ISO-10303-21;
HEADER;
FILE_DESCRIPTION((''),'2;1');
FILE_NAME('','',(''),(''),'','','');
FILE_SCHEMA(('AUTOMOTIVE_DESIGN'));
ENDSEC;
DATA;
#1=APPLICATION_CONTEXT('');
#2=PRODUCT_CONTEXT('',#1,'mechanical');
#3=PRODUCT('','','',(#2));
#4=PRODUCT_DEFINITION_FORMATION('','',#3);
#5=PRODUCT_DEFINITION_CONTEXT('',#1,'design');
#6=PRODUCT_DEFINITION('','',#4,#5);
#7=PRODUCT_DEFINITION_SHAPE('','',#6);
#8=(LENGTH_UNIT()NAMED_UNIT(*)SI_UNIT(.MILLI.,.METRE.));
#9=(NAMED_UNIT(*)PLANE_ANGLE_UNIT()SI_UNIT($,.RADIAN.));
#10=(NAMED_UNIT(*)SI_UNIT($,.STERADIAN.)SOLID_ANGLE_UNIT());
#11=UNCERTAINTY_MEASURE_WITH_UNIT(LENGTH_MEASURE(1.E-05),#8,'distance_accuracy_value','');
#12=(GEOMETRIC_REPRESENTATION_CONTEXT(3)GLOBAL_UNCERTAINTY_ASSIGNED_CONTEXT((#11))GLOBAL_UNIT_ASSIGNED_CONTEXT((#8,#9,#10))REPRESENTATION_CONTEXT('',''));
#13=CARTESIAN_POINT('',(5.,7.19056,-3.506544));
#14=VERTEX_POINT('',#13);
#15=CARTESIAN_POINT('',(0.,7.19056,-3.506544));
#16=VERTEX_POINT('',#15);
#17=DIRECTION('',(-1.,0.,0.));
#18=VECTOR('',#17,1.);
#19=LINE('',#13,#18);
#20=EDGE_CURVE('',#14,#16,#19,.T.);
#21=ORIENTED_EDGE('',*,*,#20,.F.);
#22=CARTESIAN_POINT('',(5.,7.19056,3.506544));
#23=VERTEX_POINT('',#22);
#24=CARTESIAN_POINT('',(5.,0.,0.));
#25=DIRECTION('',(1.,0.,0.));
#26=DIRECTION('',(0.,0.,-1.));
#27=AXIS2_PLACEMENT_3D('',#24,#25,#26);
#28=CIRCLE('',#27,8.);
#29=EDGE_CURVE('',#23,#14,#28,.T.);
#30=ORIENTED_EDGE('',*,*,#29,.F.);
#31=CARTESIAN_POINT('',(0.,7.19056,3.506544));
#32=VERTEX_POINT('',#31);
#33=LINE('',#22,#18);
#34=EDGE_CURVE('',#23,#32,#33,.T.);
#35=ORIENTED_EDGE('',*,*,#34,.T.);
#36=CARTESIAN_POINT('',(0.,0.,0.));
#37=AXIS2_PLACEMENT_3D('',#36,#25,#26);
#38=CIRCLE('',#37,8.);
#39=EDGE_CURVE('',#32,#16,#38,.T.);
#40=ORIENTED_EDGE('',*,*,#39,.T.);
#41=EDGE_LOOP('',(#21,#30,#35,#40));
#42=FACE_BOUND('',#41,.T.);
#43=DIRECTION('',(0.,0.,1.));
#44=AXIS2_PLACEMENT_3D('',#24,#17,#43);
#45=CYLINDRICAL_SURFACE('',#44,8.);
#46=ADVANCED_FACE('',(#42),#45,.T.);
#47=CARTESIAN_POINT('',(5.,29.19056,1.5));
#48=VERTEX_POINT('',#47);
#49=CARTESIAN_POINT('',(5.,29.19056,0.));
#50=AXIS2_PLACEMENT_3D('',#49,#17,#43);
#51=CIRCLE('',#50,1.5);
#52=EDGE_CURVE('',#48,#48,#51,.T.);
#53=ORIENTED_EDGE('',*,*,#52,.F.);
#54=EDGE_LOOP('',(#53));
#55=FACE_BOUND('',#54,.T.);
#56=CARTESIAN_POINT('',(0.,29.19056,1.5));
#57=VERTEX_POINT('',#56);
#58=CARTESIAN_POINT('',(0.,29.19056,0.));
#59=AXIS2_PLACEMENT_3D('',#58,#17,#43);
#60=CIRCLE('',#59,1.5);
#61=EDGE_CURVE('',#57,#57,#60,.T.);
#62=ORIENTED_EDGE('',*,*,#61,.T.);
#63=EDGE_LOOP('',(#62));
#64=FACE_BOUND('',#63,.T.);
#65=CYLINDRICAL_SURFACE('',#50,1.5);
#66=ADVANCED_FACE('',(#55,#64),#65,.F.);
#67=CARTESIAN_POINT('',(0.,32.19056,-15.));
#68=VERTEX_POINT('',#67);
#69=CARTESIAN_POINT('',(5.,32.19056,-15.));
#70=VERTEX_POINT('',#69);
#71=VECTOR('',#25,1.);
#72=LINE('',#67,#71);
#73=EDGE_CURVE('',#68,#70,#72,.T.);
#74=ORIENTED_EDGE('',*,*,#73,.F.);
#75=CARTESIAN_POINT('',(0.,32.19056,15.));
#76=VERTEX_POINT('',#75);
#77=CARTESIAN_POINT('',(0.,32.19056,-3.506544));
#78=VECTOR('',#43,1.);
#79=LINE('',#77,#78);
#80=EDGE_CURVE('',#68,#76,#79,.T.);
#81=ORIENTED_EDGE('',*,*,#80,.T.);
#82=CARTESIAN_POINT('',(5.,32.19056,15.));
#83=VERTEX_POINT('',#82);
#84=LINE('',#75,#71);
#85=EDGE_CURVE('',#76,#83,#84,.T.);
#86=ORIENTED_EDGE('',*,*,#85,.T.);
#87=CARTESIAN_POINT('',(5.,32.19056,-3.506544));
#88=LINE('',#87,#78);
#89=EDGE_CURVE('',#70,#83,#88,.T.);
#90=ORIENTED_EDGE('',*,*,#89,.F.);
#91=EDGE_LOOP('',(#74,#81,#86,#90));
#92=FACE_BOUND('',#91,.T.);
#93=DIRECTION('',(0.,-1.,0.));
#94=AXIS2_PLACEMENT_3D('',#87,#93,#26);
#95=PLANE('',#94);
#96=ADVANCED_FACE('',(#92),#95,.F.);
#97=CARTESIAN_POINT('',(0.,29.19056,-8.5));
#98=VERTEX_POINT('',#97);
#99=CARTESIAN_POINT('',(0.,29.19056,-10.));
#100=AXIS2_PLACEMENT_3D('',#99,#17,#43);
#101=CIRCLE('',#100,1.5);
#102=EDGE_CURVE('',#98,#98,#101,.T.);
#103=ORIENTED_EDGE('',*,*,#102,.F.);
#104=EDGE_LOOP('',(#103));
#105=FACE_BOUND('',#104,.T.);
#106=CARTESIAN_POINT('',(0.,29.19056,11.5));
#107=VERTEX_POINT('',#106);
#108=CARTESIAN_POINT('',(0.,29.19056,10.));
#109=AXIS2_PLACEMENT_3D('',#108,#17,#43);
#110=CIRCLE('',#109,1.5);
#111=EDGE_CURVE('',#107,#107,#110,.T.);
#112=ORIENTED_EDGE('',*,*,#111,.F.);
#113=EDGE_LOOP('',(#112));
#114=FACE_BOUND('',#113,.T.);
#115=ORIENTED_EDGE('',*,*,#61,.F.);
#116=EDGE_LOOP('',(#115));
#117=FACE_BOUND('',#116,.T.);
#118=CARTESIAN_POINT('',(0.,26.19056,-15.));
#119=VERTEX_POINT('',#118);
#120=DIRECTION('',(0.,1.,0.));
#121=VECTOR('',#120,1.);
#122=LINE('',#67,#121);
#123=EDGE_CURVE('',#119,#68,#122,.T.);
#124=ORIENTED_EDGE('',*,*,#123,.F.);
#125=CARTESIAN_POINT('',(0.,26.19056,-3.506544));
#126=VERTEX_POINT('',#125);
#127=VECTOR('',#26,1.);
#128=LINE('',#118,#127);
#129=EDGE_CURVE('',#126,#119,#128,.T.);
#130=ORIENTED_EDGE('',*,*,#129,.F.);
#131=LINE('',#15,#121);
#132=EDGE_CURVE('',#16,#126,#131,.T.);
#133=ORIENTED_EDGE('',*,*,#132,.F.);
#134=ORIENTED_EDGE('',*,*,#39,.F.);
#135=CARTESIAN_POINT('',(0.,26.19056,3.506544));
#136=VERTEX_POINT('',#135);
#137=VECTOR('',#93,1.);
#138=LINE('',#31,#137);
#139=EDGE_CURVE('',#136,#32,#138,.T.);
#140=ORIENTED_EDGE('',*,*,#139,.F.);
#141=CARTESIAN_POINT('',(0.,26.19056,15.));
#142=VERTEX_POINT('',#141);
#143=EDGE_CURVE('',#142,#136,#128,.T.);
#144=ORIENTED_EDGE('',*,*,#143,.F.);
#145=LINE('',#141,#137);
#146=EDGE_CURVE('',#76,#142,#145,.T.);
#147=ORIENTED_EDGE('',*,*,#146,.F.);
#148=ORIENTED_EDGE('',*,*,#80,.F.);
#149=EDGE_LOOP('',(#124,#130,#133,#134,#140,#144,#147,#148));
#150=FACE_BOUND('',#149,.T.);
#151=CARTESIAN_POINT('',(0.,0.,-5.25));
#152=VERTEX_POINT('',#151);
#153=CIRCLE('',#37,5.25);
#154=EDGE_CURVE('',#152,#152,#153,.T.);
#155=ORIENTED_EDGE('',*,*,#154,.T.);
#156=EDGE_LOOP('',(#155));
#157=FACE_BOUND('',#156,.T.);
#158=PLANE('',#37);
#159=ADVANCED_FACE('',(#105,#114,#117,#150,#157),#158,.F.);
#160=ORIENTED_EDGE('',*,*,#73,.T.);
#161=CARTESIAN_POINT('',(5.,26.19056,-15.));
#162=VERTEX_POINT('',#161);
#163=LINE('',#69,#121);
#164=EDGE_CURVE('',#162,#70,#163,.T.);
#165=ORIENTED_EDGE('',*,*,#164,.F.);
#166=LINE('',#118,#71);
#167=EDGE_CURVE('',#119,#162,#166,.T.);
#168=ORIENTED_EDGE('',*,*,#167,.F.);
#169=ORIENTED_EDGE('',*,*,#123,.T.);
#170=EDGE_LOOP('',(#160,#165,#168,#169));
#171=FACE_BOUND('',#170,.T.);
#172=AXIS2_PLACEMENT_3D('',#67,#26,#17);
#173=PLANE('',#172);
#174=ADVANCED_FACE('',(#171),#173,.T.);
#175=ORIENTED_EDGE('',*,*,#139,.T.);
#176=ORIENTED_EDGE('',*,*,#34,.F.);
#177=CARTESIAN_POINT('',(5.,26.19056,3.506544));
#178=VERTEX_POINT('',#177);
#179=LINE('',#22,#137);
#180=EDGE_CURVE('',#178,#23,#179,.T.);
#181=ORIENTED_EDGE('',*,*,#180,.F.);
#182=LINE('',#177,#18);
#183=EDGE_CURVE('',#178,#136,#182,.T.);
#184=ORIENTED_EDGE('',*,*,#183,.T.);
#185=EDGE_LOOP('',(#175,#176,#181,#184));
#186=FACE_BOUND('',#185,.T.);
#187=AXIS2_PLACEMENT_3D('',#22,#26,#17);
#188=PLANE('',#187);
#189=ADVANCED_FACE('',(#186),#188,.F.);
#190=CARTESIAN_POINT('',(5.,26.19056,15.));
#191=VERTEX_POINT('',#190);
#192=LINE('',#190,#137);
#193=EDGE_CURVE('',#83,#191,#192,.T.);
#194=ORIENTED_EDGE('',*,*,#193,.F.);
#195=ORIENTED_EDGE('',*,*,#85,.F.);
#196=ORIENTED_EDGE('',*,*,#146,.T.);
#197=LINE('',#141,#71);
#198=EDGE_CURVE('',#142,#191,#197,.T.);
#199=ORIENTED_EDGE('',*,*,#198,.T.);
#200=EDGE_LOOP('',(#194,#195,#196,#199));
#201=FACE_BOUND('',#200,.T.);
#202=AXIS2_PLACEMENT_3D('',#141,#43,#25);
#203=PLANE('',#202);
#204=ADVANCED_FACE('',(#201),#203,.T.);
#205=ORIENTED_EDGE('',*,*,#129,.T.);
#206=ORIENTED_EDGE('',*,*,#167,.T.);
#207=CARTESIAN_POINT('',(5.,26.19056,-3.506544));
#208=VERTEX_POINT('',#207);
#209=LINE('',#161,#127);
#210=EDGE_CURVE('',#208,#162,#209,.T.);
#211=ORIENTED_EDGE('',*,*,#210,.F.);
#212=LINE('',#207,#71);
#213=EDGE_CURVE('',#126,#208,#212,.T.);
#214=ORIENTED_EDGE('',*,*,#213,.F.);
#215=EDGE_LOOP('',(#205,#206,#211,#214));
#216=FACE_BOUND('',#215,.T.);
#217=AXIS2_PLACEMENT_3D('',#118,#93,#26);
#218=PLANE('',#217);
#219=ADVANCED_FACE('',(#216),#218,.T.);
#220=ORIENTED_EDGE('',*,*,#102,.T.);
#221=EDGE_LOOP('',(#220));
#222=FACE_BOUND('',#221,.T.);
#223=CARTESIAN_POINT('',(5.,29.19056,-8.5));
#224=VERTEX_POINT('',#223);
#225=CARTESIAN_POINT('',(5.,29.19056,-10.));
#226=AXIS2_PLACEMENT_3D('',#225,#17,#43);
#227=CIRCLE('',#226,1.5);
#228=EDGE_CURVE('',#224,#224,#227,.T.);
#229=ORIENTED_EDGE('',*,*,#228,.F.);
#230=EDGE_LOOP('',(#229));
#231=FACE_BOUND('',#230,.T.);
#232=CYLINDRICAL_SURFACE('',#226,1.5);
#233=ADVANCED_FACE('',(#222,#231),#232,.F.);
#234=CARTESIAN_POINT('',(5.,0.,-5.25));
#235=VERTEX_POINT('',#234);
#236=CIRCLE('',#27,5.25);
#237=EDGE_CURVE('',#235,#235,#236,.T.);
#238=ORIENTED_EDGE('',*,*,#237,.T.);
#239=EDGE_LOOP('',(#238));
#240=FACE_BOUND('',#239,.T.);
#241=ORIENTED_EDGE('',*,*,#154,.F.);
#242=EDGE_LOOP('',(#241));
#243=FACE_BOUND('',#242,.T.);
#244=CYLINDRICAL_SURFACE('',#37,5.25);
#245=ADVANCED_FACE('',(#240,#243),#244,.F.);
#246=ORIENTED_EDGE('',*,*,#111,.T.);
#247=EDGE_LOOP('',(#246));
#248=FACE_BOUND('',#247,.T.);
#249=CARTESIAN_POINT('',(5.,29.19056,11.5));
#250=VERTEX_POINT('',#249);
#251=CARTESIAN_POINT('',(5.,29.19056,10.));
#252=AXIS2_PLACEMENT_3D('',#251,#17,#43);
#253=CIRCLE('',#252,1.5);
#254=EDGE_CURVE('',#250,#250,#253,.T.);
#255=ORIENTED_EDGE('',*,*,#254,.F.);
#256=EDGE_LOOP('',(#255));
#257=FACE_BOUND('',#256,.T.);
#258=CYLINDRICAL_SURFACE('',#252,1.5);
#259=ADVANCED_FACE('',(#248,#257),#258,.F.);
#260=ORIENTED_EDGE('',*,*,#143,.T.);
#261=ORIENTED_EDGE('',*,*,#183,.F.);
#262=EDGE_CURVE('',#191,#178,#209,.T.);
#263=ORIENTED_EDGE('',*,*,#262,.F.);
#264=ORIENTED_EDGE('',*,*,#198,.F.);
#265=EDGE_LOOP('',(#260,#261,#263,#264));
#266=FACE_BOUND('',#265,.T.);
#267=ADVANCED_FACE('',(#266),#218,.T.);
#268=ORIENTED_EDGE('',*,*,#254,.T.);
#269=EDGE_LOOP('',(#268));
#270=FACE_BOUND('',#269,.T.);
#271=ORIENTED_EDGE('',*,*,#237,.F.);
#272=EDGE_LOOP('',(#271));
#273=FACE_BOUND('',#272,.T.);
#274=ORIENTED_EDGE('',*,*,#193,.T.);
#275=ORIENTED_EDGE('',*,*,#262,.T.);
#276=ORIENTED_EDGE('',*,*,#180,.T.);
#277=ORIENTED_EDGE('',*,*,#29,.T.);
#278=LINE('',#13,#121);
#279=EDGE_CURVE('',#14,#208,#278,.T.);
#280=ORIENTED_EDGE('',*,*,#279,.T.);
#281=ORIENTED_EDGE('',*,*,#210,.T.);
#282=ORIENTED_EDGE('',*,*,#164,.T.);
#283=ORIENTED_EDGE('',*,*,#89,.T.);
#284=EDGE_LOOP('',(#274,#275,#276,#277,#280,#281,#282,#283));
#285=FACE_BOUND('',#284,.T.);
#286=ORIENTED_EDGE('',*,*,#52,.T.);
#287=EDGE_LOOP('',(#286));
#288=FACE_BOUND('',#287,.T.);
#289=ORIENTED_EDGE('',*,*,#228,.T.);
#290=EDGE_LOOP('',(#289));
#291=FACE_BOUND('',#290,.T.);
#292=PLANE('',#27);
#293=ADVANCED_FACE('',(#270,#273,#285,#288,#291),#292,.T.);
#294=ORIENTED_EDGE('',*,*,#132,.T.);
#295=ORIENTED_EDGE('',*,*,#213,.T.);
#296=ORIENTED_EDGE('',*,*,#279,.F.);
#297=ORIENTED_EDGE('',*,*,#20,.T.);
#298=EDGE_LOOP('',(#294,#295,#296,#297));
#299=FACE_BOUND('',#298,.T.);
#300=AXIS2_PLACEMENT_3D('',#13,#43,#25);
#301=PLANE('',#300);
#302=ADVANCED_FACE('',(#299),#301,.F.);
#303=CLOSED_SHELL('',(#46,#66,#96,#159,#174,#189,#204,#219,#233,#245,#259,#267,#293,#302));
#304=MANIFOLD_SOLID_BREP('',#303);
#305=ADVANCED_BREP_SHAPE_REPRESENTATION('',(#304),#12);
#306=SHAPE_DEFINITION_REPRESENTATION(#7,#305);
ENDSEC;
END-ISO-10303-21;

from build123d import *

# Parameters (mm, degrees)
EXTRUDE_1_DEPTH     = 5
SKETCH_5_R          = 5.25
CUT_EXTRUDE_1_DEPTH = 5
EXTRUDE_3_DEPTH     = 5
SKETCH_10_R         = 1.5
CUT_EXTRUDE_2_DEPTH = 36.864078478


with BuildPart() as part:
    # 草图1 → 凸台-拉伸1 (new body)
    with BuildSketch(Plane(origin=(0, 0, 0), x_dir=(0, 0, -1), z_dir=(1, 0, 0))):
        with BuildLine():
            Line((3.506544331, 7.190559565), (3.506544331, 32.190559565))
            Line((3.506544331, 32.190559565), (-3.506544331, 32.190559565))
            Line((-3.506544331, 32.190559565), (-3.506544331, 7.190559565))
            ThreePointArc((-3.506544331, 7.190559565), (0, -8), (3.506544331, 7.190559565))
        make_face()
    extrude(amount=EXTRUDE_1_DEPTH)

    # 草图5 → 切除-拉伸1 (cut)
    with BuildSketch(Plane(origin=(5, 0, 0), x_dir=(0, 0, -1), z_dir=(1, 0, 0))):
        Circle(SKETCH_5_R)
    extrude(amount=-CUT_EXTRUDE_1_DEPTH, mode=Mode.SUBTRACT)

    # 草图9 → 凸台-拉伸3 (add)
    with BuildSketch(Plane(origin=(5, 0, 0), x_dir=(0, 0, -1), z_dir=(1, 0, 0))):
        Polygon((-3.506544331, 32.190559565), (15, 32.190559565), (15, 26.190559565), (-15, 26.190559565), (-15, 32.190559565), align=None)
    extrude(amount=-EXTRUDE_3_DEPTH)

    # 草图10 → 切除-拉伸2 (cut, through all)
    with BuildSketch(Plane.ZY):
        with Locations((0, 29.190559565)):
            Circle(SKETCH_10_R)
        with Locations((-10, 29.190559565)):
            Circle(SKETCH_10_R)
        with Locations((10, 29.190559565)):
            Circle(SKETCH_10_R)
    extrude(amount=-CUT_EXTRUDE_2_DEPTH, mode=Mode.SUBTRACT)


solid = part.part
